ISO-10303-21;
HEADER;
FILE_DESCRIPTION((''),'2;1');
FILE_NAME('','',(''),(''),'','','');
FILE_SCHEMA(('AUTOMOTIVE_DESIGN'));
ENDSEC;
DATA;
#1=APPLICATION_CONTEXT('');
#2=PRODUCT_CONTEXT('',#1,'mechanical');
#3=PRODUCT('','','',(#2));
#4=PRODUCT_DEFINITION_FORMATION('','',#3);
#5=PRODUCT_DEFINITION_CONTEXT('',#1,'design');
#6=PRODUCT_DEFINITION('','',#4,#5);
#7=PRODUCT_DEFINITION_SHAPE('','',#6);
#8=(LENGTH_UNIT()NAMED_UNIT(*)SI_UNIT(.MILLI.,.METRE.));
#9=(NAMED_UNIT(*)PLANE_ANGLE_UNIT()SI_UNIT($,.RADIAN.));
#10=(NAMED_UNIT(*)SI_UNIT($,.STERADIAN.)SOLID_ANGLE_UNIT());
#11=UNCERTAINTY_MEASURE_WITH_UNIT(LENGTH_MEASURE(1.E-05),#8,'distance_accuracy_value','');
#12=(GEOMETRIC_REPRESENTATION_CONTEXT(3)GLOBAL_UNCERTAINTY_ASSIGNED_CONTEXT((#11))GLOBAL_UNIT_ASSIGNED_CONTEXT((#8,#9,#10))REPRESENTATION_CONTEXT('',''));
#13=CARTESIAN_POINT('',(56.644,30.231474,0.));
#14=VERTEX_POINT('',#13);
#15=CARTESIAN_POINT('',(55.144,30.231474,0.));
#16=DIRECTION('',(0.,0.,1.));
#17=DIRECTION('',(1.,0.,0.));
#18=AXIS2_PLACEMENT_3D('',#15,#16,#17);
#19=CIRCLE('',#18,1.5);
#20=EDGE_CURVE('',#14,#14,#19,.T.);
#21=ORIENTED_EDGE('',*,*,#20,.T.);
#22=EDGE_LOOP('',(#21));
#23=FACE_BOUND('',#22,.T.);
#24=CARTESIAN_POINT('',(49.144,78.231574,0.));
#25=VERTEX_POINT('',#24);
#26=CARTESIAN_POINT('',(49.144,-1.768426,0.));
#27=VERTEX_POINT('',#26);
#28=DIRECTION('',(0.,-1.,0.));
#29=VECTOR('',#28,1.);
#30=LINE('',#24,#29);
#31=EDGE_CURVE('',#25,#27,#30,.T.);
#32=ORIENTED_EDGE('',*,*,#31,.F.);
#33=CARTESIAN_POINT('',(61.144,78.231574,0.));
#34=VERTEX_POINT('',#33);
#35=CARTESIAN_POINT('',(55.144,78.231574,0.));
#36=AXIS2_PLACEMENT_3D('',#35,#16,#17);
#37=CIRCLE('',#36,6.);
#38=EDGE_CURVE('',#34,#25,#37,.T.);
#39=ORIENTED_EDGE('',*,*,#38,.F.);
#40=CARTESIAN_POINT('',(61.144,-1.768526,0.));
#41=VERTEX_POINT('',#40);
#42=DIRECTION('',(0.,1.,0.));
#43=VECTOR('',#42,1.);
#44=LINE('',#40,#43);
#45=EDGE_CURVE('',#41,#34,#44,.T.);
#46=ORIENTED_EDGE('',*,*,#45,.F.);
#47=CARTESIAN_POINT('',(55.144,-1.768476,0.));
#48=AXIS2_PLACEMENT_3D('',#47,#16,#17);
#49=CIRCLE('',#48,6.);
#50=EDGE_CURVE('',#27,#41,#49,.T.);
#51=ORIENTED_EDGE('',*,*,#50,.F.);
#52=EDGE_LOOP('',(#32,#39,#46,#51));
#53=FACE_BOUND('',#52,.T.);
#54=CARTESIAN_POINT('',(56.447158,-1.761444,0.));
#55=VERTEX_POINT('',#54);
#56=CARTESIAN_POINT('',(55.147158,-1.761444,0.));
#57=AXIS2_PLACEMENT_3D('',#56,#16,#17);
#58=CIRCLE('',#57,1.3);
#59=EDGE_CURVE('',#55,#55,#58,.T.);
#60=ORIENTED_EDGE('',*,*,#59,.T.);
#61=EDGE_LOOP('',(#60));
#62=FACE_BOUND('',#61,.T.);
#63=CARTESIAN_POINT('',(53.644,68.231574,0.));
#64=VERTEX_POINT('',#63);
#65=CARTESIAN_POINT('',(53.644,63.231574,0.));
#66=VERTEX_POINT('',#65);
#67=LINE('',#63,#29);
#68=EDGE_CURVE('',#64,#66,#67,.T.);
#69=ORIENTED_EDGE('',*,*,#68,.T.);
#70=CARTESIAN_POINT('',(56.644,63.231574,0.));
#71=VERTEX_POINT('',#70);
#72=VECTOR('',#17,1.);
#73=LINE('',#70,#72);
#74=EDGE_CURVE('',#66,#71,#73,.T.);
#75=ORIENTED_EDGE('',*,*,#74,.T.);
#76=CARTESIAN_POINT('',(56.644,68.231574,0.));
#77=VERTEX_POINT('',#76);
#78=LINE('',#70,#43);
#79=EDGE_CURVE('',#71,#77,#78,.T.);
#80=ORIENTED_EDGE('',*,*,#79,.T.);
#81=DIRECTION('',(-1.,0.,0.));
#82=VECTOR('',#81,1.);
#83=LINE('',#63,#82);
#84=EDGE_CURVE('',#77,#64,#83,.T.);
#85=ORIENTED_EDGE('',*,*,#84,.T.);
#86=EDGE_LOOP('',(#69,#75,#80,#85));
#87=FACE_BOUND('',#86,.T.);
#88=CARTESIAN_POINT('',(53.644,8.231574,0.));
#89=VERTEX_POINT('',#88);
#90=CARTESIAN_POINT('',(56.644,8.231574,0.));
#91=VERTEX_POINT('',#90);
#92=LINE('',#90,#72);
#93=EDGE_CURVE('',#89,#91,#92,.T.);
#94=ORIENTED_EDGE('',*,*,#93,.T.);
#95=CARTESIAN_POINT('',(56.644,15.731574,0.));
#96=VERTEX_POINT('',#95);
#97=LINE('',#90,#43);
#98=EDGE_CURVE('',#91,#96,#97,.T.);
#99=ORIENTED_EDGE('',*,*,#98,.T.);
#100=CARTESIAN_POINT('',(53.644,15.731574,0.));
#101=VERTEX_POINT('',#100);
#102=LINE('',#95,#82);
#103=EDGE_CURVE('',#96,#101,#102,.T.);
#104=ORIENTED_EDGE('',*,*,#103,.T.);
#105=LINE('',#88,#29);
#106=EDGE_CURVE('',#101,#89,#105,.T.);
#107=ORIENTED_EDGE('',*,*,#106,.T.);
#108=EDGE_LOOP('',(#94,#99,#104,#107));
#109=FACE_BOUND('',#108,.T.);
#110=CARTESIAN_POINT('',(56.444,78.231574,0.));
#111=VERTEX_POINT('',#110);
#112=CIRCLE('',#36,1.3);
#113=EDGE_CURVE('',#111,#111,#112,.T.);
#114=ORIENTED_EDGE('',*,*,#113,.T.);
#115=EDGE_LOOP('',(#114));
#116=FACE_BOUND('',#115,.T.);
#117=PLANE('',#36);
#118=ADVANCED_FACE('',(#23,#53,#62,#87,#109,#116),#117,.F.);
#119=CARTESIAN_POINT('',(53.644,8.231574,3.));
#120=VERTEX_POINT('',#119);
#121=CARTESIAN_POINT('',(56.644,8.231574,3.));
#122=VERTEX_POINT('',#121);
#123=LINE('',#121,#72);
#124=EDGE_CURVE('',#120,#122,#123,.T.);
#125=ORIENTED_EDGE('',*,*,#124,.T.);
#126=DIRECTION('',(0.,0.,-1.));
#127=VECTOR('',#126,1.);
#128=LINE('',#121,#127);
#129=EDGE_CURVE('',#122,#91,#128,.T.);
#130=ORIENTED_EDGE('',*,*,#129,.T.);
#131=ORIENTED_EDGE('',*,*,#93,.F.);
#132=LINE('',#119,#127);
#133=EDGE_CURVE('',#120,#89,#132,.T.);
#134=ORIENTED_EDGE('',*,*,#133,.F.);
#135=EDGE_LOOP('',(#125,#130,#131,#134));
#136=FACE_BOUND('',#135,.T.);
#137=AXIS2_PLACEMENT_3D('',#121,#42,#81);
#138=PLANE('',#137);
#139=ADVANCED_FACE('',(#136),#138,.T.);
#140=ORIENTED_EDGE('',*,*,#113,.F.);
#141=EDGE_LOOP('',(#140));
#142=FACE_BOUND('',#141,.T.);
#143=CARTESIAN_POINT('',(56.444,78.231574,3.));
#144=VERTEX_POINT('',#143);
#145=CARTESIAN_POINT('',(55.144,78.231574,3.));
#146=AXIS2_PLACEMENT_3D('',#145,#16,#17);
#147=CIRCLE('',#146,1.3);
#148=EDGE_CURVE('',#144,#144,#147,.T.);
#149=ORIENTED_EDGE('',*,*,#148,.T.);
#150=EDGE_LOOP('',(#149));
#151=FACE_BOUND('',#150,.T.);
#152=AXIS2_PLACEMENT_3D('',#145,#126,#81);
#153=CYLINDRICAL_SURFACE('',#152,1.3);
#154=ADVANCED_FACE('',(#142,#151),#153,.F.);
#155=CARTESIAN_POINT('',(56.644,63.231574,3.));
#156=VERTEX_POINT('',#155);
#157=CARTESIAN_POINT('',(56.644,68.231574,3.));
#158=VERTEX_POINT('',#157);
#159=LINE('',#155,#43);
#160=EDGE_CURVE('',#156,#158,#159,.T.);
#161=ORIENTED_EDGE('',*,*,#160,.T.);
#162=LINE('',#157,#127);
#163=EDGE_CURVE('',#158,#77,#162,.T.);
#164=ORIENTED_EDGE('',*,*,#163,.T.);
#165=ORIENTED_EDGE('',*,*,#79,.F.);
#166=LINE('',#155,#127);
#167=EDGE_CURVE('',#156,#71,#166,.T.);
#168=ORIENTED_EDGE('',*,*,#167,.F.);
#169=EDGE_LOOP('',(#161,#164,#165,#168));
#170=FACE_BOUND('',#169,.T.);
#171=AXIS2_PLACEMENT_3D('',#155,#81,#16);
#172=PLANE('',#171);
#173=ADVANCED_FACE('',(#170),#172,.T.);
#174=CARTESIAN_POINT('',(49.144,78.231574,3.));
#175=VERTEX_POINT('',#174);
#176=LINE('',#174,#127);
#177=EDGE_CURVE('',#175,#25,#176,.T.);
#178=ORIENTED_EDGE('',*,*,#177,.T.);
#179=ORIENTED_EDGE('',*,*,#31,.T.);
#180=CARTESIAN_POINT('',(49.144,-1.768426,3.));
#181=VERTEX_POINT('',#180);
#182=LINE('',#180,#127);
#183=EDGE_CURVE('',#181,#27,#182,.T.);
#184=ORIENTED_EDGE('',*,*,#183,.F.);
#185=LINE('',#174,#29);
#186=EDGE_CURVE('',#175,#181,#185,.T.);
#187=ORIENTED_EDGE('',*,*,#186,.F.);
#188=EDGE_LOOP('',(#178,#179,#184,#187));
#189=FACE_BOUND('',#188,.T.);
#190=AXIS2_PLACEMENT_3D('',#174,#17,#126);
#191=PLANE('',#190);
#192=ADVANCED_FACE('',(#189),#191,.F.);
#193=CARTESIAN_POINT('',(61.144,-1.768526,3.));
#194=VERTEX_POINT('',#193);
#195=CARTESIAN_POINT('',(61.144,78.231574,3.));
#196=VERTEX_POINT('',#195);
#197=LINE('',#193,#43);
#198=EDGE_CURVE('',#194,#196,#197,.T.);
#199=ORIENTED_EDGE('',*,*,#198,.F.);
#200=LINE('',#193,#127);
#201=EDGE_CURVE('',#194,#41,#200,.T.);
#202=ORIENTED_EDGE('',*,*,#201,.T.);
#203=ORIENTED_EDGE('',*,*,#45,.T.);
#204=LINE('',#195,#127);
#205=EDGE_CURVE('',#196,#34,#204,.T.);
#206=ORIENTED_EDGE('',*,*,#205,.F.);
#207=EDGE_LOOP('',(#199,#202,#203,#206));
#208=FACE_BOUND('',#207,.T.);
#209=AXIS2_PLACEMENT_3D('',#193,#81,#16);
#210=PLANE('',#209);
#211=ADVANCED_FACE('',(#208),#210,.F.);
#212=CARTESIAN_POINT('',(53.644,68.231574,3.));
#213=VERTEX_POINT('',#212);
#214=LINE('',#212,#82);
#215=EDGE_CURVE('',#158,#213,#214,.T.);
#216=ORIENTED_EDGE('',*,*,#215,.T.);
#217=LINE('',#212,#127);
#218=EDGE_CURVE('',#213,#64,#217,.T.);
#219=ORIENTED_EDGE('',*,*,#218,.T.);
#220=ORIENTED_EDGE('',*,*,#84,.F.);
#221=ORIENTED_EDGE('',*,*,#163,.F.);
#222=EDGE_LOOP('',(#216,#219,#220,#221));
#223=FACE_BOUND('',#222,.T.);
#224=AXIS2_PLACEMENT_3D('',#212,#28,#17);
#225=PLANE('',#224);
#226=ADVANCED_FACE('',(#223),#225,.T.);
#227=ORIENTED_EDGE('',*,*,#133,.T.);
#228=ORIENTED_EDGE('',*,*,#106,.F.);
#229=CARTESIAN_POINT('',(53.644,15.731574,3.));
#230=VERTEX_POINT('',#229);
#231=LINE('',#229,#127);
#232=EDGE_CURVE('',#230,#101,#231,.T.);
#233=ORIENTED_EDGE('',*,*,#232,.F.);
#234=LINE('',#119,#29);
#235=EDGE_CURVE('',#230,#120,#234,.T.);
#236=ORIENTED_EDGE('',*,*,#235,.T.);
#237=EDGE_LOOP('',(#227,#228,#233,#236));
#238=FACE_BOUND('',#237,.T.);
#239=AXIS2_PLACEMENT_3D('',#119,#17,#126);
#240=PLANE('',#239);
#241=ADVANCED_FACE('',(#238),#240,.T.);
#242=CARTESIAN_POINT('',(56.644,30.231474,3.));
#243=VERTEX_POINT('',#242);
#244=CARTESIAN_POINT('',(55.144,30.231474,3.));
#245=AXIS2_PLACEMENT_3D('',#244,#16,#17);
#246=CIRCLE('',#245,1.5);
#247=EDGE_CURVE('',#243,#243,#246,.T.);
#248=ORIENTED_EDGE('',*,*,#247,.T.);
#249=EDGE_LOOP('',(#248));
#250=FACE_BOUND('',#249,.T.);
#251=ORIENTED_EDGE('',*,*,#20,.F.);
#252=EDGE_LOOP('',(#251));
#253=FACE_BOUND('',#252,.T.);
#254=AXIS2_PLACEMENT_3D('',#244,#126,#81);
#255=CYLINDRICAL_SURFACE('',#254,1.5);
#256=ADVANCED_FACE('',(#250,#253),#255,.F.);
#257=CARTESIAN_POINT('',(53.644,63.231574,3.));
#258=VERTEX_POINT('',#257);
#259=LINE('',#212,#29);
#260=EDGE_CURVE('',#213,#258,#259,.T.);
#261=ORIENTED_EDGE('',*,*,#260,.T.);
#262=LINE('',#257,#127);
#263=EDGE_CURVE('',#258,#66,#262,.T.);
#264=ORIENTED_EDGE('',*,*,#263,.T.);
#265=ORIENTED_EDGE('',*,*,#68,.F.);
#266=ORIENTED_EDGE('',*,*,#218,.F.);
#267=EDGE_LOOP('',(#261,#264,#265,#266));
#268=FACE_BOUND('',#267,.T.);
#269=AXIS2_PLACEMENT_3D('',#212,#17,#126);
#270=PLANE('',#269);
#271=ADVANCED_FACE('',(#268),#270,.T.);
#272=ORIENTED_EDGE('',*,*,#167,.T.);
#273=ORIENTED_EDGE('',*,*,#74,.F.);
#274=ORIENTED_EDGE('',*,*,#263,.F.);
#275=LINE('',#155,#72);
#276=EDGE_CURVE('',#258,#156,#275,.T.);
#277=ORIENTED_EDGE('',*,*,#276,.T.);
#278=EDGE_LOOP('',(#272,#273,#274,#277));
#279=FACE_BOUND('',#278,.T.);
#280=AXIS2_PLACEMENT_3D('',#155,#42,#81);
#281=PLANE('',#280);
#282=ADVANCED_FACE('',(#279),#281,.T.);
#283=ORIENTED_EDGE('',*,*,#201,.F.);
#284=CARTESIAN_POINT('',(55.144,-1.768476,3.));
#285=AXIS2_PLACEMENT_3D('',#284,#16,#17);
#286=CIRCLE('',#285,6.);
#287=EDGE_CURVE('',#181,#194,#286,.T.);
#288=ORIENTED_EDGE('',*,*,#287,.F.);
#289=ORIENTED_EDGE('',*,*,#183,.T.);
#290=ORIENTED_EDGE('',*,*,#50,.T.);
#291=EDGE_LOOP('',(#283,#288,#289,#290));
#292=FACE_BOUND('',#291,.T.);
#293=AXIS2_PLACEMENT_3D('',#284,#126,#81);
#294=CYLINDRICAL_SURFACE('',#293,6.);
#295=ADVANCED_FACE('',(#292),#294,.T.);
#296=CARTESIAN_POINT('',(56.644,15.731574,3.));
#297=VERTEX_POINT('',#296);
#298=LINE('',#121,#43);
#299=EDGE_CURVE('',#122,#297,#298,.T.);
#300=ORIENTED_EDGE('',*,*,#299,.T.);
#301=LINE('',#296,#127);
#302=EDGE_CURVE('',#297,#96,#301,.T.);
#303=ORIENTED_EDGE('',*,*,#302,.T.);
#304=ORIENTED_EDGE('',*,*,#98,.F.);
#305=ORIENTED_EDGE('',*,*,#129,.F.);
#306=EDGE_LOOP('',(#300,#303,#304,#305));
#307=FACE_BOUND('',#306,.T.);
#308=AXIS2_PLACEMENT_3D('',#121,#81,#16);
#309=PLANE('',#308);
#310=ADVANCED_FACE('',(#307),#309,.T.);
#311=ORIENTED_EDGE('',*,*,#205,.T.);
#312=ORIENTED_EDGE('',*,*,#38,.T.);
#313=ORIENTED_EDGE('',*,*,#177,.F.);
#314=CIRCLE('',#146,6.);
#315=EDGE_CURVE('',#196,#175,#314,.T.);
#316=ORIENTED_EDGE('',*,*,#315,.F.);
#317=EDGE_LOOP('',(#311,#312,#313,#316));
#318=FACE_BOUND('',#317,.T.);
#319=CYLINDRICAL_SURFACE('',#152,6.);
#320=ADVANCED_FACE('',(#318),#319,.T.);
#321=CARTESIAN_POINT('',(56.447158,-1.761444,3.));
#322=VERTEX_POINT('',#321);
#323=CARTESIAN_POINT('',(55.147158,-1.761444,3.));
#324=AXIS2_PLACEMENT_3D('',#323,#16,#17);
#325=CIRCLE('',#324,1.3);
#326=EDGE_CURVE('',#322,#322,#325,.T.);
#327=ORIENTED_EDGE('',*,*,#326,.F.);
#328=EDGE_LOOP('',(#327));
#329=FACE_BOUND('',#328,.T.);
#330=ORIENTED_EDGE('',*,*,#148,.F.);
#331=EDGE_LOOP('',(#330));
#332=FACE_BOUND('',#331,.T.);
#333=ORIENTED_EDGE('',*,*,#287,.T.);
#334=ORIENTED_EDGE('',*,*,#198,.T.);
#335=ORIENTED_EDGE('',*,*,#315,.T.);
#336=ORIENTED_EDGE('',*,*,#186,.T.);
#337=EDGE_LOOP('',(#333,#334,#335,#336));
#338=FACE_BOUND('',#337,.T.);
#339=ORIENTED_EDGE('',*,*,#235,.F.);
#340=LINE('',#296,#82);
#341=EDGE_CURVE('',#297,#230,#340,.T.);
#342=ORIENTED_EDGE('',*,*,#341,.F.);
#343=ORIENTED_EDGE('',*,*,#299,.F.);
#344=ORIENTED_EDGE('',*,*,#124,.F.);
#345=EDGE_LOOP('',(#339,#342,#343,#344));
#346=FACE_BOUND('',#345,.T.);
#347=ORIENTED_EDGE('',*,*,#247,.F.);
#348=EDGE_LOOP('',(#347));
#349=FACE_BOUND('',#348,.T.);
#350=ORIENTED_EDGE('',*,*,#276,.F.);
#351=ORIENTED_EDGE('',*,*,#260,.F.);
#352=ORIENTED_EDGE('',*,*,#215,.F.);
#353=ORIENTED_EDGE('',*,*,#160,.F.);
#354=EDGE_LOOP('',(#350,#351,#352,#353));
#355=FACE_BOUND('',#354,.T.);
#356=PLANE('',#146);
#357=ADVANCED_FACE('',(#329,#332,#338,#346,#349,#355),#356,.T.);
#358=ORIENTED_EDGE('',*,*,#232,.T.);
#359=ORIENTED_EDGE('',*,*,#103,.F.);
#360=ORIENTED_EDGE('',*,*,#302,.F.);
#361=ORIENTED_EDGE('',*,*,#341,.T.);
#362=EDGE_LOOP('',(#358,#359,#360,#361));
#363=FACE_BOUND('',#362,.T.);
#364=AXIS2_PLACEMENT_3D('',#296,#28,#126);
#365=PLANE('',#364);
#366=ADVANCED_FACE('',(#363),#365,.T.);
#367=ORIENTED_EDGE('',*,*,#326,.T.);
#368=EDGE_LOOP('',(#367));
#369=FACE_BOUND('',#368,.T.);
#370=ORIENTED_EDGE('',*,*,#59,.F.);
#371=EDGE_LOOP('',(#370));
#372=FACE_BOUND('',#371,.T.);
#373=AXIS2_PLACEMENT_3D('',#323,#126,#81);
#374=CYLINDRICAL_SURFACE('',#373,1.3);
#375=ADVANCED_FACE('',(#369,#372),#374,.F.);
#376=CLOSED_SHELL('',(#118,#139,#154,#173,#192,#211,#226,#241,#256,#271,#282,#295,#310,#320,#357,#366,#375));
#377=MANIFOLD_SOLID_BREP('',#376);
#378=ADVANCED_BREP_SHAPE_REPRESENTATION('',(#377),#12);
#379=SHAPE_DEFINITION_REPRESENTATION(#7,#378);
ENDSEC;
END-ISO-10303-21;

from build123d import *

# Parameters (mm, degrees)
MODEL_R             = 1.5
MODEL_R_2           = 1.3
MODEL_R_3           = 1.300000004
MODEL_W             = 3
MODEL_H             = 5
MODEL_H_2           = 7.5
BOSS_EXTRUDE1_DEPTH = 3


with BuildPart() as part:
    # Model → Boss-Extrude1 (new body)
    with BuildSketch(Plane.XY):
        with BuildLine():
            Line((49.143999996, 78.231573788), (49.143999996, -1.768426212))
            ThreePointArc((49.143999996, -1.768426212), (55.143949996, -7.768476212), (61.143999996, -1.768526212))
            Line((61.143999996, -1.768526212), (61.143999996, 78.231573788))
            ThreePointArc((61.143999996, 78.231573788), (55.143999996, 84.231573788), (49.143999996, 78.231573788))
        make_face()
        with Locations((55.144, 30.231473788)):
            Circle(MODEL_R, mode=Mode.SUBTRACT)
        with Locations((55.147158052, -1.761444485)):
            Circle(MODEL_R_2, mode=Mode.SUBTRACT)
        with Locations((55.143999996, 78.231573788)):
            Circle(MODEL_R_3, mode=Mode.SUBTRACT)
        with Locations((55.144, 65.731573788)):
            Rectangle(MODEL_W, MODEL_H, mode=Mode.SUBTRACT)
        with Locations((55.144, 11.981573788)):
            Rectangle(MODEL_W, MODEL_H_2, mode=Mode.SUBTRACT)
    extrude(amount=BOSS_EXTRUDE1_DEPTH)


solid = part.part
